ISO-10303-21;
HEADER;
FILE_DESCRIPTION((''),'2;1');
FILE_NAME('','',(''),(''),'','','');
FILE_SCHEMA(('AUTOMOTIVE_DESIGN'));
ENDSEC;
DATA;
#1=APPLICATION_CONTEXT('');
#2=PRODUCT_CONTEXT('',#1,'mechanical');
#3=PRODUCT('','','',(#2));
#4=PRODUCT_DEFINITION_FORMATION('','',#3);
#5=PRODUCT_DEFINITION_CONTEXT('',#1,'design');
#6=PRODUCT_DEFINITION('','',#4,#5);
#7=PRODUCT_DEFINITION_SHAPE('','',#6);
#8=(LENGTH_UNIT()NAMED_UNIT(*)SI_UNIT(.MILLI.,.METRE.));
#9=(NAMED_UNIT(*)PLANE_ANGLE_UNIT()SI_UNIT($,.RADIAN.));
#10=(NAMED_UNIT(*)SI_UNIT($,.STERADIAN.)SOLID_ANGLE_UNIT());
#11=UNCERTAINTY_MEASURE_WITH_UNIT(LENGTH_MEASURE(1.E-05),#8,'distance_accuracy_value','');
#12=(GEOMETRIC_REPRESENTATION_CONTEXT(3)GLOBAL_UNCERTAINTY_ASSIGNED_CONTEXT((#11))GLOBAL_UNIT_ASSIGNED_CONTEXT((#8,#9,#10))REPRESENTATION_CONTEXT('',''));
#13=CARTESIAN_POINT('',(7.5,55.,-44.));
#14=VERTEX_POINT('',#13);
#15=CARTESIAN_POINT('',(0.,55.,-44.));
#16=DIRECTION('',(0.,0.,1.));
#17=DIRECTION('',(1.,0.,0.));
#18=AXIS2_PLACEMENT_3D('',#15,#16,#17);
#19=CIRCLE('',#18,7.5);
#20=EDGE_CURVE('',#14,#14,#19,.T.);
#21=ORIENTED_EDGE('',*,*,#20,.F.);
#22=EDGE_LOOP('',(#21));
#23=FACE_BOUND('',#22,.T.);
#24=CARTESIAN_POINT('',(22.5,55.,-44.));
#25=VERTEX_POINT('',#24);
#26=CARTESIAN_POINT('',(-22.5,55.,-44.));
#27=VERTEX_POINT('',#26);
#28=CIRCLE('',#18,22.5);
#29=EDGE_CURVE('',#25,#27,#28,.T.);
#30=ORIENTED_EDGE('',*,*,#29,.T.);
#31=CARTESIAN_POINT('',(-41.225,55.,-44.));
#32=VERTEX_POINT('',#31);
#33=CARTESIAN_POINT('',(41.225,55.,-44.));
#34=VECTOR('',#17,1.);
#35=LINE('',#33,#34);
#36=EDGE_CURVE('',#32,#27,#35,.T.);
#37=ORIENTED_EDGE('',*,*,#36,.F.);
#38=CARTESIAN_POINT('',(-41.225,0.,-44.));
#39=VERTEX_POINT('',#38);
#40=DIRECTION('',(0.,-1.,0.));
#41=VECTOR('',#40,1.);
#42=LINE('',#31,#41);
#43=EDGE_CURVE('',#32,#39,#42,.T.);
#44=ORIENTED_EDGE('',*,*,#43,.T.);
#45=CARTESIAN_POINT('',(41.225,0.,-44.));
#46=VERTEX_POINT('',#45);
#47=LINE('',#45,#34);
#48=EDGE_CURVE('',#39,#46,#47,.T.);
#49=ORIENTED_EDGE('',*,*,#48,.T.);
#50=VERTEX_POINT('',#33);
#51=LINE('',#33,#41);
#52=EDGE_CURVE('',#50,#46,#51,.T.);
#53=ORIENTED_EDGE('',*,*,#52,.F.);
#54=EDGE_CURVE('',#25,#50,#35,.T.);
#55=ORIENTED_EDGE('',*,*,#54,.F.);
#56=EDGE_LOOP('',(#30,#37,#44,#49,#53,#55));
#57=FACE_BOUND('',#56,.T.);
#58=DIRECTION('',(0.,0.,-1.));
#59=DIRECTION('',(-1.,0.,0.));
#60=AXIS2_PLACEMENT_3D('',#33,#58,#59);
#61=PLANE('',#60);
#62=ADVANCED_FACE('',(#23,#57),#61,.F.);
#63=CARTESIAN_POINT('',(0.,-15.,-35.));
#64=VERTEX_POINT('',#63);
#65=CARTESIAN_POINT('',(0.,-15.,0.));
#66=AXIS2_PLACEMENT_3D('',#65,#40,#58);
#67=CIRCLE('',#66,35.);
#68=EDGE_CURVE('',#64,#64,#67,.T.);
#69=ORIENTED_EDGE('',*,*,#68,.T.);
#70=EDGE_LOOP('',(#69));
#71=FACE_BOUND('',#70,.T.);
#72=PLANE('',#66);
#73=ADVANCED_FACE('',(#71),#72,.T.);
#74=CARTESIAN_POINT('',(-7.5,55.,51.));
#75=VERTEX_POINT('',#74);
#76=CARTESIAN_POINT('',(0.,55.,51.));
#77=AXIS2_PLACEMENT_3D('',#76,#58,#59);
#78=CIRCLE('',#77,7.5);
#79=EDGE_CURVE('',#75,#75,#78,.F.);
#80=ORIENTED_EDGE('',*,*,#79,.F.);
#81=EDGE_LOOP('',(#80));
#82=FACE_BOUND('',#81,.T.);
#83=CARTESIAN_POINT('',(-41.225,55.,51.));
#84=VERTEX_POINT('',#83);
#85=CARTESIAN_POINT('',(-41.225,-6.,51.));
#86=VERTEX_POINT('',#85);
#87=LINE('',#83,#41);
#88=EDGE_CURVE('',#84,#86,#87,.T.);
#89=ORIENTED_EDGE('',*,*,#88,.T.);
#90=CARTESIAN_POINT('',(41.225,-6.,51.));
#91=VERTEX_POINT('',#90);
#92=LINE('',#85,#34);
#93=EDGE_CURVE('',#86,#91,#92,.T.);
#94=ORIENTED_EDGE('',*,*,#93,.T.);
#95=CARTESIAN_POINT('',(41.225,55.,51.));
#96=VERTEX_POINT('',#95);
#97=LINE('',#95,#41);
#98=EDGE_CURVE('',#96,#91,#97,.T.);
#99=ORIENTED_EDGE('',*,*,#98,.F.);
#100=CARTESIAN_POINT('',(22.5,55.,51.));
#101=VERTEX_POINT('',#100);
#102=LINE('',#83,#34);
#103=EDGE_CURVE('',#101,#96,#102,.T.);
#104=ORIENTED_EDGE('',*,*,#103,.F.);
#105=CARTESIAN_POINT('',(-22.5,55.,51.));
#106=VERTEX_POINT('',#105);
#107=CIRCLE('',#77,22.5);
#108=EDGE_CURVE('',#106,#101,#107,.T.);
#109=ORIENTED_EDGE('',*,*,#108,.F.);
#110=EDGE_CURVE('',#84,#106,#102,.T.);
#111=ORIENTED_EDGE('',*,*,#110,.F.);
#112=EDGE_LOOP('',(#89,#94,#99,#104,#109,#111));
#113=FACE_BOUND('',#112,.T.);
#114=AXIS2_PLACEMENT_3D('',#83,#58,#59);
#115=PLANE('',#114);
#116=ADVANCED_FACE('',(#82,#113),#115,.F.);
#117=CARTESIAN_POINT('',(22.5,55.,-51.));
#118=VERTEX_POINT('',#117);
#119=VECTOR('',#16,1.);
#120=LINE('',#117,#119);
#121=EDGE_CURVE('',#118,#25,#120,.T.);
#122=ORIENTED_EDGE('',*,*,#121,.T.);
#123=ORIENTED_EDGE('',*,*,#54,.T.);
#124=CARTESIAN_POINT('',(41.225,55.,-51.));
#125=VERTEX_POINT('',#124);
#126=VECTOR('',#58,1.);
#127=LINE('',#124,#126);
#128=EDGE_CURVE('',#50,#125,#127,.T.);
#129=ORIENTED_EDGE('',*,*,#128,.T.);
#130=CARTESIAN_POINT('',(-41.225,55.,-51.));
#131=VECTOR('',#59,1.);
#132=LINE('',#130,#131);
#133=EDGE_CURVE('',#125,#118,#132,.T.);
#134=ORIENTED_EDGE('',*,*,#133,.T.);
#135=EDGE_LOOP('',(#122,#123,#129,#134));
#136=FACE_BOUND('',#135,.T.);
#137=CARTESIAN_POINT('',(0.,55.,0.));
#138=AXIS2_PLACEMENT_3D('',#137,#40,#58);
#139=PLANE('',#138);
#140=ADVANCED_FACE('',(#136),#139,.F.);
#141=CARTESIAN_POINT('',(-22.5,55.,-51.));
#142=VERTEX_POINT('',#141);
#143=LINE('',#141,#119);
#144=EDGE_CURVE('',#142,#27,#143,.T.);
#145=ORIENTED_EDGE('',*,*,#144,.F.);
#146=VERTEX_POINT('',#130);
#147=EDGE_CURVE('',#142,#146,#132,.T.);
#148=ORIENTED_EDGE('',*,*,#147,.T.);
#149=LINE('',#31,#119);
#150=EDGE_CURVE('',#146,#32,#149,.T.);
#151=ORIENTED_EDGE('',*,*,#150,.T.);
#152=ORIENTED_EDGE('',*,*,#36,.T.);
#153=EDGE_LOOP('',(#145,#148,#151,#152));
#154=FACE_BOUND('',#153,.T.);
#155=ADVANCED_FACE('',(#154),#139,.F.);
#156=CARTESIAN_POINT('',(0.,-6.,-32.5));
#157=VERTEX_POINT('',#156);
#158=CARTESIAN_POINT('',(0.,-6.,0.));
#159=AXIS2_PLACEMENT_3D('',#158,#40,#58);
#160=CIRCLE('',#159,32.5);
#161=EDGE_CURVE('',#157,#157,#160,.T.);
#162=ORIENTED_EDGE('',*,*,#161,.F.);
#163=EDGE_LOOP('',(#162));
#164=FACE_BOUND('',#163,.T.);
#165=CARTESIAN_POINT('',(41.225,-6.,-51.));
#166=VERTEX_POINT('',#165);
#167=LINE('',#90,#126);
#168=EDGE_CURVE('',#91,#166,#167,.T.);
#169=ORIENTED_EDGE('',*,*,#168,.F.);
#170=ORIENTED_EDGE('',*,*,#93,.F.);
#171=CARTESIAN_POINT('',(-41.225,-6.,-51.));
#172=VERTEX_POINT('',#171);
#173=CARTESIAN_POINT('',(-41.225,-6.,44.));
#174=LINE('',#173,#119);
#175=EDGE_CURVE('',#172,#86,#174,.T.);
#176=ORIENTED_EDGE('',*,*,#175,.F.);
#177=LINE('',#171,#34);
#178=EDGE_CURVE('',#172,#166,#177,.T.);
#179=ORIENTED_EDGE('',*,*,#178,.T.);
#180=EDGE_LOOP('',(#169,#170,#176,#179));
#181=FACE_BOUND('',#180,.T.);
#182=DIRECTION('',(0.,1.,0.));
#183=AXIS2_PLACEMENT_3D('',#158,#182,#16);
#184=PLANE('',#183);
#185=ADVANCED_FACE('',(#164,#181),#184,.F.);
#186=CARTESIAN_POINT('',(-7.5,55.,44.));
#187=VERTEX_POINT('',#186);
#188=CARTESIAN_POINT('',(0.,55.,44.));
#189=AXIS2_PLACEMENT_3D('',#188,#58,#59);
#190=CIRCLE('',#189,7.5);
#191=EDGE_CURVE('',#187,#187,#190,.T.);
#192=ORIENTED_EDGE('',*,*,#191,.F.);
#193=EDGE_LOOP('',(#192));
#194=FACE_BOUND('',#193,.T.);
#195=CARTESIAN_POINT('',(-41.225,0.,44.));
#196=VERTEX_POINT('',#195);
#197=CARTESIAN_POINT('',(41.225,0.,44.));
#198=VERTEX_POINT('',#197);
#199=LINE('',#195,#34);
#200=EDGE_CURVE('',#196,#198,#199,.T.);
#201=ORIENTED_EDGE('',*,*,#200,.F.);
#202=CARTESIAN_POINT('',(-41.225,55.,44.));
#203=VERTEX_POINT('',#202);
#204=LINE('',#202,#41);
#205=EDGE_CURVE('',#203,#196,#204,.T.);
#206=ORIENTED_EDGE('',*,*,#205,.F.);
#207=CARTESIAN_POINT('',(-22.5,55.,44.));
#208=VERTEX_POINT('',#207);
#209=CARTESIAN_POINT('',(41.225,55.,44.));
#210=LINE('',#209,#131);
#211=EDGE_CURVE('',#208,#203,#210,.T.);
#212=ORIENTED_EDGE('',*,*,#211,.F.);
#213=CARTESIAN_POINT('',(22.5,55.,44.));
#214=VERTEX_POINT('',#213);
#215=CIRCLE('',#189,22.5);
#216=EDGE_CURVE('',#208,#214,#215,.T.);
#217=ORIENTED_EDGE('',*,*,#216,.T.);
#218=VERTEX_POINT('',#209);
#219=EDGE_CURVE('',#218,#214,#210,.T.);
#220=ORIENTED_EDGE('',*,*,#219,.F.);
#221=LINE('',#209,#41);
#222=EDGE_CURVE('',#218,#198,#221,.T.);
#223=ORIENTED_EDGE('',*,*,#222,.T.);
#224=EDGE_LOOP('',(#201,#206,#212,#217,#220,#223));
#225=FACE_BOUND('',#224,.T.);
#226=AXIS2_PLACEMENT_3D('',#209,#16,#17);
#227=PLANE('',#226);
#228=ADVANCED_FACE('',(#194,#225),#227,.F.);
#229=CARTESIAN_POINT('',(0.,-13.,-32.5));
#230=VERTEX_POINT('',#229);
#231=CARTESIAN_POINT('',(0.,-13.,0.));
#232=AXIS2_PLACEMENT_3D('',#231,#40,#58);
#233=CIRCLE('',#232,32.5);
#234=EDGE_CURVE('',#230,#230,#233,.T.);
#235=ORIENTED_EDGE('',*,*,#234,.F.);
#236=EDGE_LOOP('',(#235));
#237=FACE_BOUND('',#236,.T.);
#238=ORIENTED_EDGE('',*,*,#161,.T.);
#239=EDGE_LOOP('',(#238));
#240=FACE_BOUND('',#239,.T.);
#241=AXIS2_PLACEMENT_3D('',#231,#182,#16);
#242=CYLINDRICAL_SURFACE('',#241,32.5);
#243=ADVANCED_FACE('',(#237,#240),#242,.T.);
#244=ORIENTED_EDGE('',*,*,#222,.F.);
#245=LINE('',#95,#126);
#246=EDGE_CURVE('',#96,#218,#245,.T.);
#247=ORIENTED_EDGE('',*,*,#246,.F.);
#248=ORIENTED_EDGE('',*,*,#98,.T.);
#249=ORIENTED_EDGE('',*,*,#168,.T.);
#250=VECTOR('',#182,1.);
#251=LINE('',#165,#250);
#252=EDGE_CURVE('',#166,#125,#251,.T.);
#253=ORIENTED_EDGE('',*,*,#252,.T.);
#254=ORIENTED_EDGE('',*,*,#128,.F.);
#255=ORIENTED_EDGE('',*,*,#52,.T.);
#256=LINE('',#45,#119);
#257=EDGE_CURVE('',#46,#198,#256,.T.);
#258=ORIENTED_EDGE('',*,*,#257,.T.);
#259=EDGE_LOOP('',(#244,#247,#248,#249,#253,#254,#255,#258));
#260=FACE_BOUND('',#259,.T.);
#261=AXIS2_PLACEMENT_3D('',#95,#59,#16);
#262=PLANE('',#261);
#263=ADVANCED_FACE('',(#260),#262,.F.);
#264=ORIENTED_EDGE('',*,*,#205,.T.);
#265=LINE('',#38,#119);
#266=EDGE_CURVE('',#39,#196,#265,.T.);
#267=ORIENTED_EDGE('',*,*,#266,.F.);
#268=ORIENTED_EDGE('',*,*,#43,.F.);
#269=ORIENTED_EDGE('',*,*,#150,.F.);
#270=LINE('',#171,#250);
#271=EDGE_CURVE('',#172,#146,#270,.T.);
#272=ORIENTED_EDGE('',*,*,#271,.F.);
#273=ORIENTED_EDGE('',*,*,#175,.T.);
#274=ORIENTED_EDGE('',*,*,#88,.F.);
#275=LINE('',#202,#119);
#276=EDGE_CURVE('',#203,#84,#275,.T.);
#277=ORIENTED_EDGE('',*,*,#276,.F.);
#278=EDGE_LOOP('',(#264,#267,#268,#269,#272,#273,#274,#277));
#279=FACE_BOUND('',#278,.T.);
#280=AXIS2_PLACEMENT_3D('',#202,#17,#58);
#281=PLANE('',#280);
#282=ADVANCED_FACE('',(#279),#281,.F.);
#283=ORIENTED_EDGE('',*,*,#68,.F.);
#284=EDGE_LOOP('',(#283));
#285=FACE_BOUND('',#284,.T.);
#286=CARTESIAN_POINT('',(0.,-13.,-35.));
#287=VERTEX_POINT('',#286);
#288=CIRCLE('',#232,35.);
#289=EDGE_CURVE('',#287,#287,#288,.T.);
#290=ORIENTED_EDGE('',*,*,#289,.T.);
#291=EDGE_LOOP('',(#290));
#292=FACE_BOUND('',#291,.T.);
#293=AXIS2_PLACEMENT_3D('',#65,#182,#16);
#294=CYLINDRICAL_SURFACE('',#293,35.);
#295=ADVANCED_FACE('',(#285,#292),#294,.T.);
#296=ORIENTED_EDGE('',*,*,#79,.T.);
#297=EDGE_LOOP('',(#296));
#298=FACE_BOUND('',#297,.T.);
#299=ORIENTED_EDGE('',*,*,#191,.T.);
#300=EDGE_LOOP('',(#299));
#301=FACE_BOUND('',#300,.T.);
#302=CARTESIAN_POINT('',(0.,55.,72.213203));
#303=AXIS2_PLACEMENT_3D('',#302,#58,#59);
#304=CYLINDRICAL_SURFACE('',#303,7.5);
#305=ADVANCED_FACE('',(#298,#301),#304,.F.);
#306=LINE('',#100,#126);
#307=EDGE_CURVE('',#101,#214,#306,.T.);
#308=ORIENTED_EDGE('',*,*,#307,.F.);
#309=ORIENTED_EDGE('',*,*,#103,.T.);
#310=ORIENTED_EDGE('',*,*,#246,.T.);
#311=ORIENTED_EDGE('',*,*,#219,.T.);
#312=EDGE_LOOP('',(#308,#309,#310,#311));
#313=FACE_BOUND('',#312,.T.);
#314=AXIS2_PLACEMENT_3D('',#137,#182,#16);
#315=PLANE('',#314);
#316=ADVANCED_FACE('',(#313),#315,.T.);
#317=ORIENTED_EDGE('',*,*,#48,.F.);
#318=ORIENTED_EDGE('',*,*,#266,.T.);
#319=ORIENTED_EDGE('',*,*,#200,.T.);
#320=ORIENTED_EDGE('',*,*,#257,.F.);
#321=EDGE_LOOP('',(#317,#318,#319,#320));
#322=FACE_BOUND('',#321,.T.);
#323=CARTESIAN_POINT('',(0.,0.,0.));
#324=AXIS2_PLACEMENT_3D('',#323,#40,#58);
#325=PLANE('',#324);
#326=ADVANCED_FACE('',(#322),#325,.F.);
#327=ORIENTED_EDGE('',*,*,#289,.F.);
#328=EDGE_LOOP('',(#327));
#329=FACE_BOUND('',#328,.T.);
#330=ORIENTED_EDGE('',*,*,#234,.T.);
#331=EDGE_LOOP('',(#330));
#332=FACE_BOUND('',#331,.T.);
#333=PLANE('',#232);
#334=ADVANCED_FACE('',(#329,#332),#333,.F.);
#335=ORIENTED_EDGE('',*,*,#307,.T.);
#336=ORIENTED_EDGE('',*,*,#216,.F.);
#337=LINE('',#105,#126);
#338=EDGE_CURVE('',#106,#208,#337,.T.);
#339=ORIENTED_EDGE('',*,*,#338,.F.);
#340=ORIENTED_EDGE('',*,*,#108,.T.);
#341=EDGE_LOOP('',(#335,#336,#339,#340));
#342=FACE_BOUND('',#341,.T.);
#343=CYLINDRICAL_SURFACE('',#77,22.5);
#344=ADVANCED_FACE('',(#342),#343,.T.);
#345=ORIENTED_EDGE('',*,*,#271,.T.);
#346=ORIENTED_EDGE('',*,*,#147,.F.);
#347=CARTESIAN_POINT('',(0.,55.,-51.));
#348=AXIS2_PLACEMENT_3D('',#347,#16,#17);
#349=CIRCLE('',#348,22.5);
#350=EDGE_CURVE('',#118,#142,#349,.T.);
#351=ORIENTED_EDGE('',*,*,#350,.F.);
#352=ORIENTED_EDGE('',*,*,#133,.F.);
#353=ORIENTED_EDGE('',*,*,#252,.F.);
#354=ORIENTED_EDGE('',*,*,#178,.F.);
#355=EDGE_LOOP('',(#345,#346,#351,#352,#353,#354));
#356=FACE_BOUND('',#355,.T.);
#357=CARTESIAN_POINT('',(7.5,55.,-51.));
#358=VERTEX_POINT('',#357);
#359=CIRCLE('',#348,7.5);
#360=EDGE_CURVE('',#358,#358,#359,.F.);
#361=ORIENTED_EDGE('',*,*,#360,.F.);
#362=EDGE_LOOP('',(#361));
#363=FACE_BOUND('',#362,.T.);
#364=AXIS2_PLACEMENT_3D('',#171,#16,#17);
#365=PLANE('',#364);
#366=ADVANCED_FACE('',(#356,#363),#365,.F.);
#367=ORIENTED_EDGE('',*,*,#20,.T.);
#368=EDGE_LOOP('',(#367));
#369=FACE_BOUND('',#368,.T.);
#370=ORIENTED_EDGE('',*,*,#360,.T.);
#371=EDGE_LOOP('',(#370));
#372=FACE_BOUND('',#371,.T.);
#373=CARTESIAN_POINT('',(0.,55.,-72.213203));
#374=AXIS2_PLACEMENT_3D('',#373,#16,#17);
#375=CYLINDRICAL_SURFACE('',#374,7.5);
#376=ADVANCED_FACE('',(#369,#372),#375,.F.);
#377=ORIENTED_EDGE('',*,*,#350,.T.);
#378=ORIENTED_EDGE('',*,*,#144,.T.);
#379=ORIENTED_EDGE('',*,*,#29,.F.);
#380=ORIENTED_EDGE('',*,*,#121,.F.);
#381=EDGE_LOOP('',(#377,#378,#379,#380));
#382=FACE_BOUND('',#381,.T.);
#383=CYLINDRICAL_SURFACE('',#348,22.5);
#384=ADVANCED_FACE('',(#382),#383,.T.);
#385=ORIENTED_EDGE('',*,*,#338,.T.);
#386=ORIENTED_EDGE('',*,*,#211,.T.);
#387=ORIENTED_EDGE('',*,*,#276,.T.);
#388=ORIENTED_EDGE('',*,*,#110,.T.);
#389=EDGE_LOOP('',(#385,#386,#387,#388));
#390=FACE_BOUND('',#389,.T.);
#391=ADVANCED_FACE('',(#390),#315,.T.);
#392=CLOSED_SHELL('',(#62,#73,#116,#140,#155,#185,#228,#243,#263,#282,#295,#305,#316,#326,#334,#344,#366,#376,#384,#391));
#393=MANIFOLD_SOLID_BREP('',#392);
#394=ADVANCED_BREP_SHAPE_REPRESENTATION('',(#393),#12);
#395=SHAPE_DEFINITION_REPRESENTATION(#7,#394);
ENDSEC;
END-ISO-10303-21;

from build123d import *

# Parameters (mm, degrees)
SKETCH1_W             = 82.45
SKETCH1_H             = 88
BOSS_EXTRUDE1_DEPTH   = 6
SKETCH2_W             = 82.45
SKETCH2_H             = 7
BOSS_EXTRUDE2_DEPTH   = 55
BOSS_EXTRUDE2_2_DEPTH = 55
SKETCH2_2_W           = 82.45
SKETCH2_2_H           = 7
BOSS_EXTRUDE3_DEPTH   = 6
SKETCH2_3_W           = 82.45
SKETCH2_3_H           = 7
BOSS_EXTRUDE4_DEPTH   = 6
BOSS_EXTRUDE5_DEPTH   = 7
BOSS_EXTRUDE7_DEPTH   = 7
SKETCH8_R             = 32.5
BOSS_EXTRUDE8_DEPTH   = 7
SKETCH9_R             = 35
BOSS_EXTRUDE9_DEPTH   = 2
SKETCH10_R            = 7.5
CUT_EXTRUDE3_DEPTH    = 7
SKETCH11_R            = 7.5
CUT_EXTRUDE4_DEPTH    = 7


with BuildPart() as part:
    # Sketch1 → Boss-Extrude1 (new body)
    with BuildSketch(Plane(origin=(0, 0, 0), x_dir=(1, 0, 0), z_dir=(0, 1, 0))):
        Rectangle(SKETCH1_W, SKETCH1_H)
    extrude(amount=-BOSS_EXTRUDE1_DEPTH)



with BuildPart() as body_2:
    # Sketch2 → Boss-Extrude2 (new body)
    with BuildSketch(Plane(origin=(0, 0, 0), x_dir=(1, 0, 0), z_dir=(0, 1, 0))):
        with Locations((0, 47.5)):
            Rectangle(SKETCH2_W, SKETCH2_H)
    extrude(amount=BOSS_EXTRUDE2_DEPTH)


with BuildPart() as body_3:
    # Sketch2 → Boss-Extrude2 2 (new body)
    with BuildSketch(Plane(origin=(0, 0, 0), x_dir=(1, 0, 0), z_dir=(0, 1, 0))):
        with Locations((0, -47.5)):
            Rectangle(SKETCH2_W, SKETCH2_H)
    extrude(amount=BOSS_EXTRUDE2_2_DEPTH)


with BuildPart() as part_1:
    add(part.part)

    add(body_2.part)  # Boss-Extrude3 merges body 2
    # Sketch2<2> → Boss-Extrude3 (add)
    with BuildSketch(Plane(origin=(0, 0, 0), x_dir=(1, 0, 0), z_dir=(0, 1, 0))):
        with Locations((0, 47.5)):
            Rectangle(SKETCH2_2_W, SKETCH2_2_H)
    extrude(amount=-BOSS_EXTRUDE3_DEPTH)


    add(body_3.part)  # Boss-Extrude4 merges body 3
    # Sketch2<3> → Boss-Extrude4 (add)
    with BuildSketch(Plane(origin=(0, 0, 0), x_dir=(1, 0, 0), z_dir=(0, 1, 0))):
        with Locations((0, -47.5)):
            Rectangle(SKETCH2_3_W, SKETCH2_3_H)
    extrude(amount=-BOSS_EXTRUDE4_DEPTH)

    # Sketch4 → Boss-Extrude5 (add)
    with BuildSketch(Plane.XY.offset(-44)):
        with BuildLine():
            Line((22.5, 55), (-22.5, 55))
            ThreePointArc((-22.5, 55), (0, 77.5), (22.5, 55))
        make_face()
    extrude(amount=-BOSS_EXTRUDE5_DEPTH)

    # Sketch5 → Boss-Extrude7 (add)
    with BuildSketch(Plane(origin=(0, 0, 44), x_dir=(-1, 0, 0), z_dir=(0, 0, -1))):
        with BuildLine():
            Line((22.5, 55), (-22.5, 55))
            ThreePointArc((-22.5, 55), (0, 77.5), (22.5, 55))
        make_face()
    extrude(amount=-BOSS_EXTRUDE7_DEPTH)

    # Sketch8 → Boss-Extrude8 (add)
    with BuildSketch(Plane.XZ.offset(6)):
        Circle(SKETCH8_R)
    extrude(amount=BOSS_EXTRUDE8_DEPTH)

    # Sketch9 → Boss-Extrude9 (add)
    with BuildSketch(Plane.XZ.offset(13)):
        Circle(SKETCH9_R)
    extrude(amount=BOSS_EXTRUDE9_DEPTH)

    # Sketch10 → Cut-Extrude3 (cut)
    with BuildSketch(Plane.XY.offset(-44)):
        with Locations((0, 55)):
            Circle(SKETCH10_R)
    extrude(amount=-CUT_EXTRUDE3_DEPTH, mode=Mode.SUBTRACT)

    # Sketch11 → Cut-Extrude4 (cut)
    with BuildSketch(Plane(origin=(0, 0, 44), x_dir=(-1, 0, 0), z_dir=(0, 0, -1))):
        with Locations((0, 55)):
            Circle(SKETCH11_R)
    extrude(amount=-CUT_EXTRUDE4_DEPTH, mode=Mode.SUBTRACT)


solid = part_1.part
